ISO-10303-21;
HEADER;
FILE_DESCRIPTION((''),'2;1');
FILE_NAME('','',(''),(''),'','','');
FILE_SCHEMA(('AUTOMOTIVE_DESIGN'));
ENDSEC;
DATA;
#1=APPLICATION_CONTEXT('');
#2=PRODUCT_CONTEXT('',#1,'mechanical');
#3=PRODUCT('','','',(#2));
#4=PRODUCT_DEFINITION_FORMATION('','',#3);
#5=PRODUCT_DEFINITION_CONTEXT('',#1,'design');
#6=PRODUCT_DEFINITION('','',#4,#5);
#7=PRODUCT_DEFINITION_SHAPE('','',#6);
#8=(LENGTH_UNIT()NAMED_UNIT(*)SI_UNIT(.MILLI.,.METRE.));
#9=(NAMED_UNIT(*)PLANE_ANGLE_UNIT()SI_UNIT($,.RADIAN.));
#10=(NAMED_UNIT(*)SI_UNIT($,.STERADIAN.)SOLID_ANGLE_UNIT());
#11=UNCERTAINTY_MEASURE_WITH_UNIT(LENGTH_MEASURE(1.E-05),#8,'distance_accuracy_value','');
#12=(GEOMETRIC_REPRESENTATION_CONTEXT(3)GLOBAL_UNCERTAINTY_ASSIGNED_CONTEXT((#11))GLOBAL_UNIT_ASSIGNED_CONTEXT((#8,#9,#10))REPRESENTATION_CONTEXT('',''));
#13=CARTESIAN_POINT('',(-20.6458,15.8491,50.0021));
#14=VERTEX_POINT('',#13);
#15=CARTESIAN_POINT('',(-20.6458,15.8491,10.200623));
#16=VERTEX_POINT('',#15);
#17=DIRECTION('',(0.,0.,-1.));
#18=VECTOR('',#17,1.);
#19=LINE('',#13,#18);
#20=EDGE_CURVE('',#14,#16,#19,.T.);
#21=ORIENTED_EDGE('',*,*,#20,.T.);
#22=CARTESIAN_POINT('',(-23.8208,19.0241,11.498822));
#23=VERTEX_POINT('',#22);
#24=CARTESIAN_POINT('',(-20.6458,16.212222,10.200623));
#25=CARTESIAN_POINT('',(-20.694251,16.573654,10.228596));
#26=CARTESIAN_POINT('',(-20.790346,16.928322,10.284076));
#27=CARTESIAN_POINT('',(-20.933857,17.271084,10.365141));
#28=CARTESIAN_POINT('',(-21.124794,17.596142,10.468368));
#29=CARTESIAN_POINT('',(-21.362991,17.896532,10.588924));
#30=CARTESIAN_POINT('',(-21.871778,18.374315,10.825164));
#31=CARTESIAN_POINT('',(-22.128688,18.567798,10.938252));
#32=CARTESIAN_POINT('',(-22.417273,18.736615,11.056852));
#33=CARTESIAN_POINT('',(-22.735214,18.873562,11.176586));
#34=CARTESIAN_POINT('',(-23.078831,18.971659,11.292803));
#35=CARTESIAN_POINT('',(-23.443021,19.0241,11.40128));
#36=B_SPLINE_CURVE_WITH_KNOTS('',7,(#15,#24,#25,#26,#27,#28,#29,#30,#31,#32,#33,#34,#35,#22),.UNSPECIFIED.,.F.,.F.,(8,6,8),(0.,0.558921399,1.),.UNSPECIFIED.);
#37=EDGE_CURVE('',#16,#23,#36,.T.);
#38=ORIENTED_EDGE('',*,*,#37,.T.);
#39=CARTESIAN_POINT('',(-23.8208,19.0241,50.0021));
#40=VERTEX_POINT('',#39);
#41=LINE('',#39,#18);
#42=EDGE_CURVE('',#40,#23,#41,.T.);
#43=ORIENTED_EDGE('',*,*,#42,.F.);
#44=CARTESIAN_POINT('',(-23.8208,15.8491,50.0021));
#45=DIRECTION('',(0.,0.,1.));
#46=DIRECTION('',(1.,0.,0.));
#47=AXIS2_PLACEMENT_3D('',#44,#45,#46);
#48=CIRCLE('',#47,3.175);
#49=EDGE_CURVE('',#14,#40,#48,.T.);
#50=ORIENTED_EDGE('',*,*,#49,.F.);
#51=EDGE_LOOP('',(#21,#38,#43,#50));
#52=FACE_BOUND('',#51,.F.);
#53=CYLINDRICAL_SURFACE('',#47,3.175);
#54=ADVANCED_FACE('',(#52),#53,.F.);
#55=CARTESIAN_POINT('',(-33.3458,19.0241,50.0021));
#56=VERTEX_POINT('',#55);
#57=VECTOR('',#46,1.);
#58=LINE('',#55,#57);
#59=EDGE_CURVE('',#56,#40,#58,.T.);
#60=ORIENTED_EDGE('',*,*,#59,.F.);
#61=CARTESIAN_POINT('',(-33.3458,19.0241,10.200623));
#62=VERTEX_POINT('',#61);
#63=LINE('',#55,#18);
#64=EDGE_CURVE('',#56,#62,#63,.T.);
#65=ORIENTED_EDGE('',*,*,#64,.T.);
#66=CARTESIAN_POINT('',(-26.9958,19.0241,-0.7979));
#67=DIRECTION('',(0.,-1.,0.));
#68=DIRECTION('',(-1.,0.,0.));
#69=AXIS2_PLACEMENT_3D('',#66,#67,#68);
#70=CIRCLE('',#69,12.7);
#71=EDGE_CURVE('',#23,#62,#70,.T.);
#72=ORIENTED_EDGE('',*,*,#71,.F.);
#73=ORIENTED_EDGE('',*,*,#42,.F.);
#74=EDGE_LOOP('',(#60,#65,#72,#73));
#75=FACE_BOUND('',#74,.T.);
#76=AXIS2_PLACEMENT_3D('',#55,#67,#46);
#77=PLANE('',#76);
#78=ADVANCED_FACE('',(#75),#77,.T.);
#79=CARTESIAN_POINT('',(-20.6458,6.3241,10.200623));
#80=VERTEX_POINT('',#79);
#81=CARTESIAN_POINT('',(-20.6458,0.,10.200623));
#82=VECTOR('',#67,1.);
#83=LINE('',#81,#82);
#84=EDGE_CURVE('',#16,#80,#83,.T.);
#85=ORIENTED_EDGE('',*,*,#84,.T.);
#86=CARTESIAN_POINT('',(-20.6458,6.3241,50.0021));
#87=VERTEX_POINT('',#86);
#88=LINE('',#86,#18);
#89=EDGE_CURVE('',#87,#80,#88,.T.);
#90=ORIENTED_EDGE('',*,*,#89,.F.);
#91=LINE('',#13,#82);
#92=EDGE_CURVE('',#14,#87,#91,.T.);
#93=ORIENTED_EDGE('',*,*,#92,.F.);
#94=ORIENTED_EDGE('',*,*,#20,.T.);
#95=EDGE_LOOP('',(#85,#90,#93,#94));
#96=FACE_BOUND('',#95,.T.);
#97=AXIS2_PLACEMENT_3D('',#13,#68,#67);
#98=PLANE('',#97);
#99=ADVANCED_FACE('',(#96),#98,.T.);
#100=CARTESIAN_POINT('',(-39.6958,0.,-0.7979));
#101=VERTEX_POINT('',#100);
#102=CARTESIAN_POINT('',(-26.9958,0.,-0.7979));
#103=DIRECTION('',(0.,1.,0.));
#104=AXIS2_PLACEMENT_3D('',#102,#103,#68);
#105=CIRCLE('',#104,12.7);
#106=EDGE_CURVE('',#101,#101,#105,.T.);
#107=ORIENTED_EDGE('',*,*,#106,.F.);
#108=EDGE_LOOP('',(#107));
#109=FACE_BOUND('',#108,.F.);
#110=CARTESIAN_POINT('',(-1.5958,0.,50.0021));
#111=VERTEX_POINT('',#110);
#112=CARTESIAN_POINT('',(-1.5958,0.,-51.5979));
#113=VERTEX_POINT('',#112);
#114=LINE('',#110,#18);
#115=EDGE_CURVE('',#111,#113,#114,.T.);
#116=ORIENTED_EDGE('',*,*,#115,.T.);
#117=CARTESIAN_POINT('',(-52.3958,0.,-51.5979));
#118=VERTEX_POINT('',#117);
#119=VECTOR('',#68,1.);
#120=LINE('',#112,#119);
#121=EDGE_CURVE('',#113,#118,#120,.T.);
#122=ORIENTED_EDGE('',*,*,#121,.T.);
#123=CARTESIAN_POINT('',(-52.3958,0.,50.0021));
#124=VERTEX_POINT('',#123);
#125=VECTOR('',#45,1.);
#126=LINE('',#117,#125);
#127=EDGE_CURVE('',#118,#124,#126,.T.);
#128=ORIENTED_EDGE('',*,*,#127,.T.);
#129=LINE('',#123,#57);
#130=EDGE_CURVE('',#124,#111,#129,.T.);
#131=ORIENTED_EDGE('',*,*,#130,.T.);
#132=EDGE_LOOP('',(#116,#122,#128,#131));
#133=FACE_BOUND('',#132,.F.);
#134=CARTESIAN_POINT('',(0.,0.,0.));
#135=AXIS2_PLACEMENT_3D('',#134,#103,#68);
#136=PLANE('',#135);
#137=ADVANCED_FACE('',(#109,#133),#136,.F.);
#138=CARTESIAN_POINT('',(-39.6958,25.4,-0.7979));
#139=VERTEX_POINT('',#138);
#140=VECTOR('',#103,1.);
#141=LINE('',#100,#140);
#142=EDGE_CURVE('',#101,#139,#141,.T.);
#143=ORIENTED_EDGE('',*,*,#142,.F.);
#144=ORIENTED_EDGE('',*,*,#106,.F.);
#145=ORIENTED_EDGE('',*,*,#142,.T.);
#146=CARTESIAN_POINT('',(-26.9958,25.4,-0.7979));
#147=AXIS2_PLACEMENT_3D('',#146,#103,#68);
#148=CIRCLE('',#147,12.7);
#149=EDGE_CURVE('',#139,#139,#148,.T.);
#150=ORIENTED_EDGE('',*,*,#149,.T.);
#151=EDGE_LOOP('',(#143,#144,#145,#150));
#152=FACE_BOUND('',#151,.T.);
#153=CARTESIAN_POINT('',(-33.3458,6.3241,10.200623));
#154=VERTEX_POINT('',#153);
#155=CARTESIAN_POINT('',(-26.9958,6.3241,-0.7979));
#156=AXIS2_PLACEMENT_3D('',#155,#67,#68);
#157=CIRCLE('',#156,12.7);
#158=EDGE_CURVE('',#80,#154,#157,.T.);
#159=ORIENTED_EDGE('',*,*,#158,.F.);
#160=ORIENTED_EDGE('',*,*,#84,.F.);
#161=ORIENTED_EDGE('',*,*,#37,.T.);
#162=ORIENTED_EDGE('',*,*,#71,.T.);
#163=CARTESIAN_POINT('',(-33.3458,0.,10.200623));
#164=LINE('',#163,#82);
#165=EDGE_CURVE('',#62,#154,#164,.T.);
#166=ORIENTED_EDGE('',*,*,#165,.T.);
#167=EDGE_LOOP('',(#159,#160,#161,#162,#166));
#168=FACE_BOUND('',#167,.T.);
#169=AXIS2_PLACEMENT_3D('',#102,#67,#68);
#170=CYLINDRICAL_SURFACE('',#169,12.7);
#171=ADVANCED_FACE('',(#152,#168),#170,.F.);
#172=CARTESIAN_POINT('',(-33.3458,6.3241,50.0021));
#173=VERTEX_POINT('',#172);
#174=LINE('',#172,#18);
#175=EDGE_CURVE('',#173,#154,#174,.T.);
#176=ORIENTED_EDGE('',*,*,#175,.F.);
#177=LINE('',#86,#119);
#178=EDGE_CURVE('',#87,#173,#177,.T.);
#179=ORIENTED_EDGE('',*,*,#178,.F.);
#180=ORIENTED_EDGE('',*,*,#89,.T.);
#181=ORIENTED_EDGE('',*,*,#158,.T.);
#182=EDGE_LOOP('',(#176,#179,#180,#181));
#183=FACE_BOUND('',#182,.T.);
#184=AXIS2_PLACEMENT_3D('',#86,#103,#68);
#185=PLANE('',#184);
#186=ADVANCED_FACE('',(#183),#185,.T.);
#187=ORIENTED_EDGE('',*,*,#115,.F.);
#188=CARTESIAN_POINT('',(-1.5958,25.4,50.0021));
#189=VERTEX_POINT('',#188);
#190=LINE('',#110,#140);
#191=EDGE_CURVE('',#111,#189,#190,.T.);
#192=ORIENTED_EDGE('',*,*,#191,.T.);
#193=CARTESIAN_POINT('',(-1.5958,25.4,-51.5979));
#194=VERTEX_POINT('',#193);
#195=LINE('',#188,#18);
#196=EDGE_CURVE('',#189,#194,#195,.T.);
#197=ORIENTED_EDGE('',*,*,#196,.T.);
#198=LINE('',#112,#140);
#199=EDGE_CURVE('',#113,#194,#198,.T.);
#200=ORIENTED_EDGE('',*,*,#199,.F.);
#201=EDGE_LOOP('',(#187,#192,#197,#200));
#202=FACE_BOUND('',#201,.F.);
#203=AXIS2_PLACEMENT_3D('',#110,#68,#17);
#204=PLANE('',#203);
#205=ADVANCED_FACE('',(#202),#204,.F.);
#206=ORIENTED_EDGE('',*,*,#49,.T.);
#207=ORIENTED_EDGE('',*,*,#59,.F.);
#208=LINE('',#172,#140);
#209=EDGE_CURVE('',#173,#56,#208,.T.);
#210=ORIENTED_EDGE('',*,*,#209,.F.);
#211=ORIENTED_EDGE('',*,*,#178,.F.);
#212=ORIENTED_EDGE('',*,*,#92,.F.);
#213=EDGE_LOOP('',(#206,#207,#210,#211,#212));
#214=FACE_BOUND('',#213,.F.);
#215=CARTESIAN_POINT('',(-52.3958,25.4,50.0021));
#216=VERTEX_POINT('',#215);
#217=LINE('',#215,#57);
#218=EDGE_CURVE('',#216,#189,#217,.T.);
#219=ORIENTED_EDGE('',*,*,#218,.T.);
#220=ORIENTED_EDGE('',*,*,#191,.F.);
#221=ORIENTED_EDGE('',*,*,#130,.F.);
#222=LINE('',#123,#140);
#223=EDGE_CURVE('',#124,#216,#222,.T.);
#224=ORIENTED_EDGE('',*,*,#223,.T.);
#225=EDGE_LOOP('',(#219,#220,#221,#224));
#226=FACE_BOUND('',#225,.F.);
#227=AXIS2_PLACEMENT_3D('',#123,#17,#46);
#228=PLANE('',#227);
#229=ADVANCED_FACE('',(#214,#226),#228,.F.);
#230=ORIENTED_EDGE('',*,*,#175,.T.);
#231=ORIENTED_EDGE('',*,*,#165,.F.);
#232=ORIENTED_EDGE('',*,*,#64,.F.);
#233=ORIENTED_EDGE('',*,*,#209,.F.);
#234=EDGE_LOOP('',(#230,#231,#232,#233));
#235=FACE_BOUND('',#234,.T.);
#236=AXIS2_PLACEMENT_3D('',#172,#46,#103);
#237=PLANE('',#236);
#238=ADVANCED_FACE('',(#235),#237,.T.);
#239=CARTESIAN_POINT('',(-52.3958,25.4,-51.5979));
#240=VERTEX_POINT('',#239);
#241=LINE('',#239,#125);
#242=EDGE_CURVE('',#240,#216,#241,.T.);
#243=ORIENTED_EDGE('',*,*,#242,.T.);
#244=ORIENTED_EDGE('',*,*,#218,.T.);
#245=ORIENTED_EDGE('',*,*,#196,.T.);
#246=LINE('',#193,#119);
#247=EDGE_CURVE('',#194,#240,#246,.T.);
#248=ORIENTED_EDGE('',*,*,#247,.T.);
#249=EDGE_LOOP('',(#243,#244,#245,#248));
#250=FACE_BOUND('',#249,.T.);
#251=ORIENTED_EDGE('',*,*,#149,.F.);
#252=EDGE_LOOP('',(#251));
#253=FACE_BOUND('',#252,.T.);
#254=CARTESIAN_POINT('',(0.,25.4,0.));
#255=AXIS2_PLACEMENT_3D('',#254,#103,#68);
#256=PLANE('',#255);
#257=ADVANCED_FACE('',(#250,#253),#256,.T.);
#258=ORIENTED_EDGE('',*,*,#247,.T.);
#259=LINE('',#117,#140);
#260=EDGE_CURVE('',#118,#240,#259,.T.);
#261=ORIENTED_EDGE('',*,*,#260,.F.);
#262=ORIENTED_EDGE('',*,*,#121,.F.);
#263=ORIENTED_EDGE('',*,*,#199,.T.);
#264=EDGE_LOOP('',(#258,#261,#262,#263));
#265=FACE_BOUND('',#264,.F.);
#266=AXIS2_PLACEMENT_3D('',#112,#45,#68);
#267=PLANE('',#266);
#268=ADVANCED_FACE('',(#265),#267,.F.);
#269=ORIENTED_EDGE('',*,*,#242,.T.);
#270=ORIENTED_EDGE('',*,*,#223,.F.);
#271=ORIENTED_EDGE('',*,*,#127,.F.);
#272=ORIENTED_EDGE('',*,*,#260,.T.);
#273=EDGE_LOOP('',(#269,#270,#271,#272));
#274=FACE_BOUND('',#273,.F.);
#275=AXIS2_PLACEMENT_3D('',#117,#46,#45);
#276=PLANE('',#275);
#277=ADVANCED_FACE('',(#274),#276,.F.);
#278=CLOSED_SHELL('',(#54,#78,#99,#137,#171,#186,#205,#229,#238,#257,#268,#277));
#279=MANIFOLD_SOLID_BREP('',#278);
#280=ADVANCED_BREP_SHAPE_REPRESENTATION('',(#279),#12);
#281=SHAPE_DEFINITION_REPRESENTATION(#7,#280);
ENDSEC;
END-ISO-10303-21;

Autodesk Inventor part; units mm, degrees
ref_plane "YZ Plane" through (0, 0, 0) normal (1, 0, 0) x (0, 1, 0)
ref_plane "XZ Plane" through (0, 0, 0) normal (0, 1, 0) x (-1, 0, 0)
ref_plane "XY Plane" through (0, 0, 0) normal (0, 0, 1) x (1, 0, 0)
sketch "Sketch1" plane through (0, 0, 0) normal (0, 1, 0) x (-1, 0, 0)
  point P0 (0, 0)
sketch "Sketch2" plane through (0, 0, 0) normal (0, 1, 0) x (-1, 0, 0)
  line L0 (52.3958, 50.0021) -> (1.5958, 50.0021)
  line L1 (1.5958, 50.0021) -> (1.5958, -51.5979)
  line L2 (1.5958, -51.5979) -> (52.3958, -51.5979)
  line L3 (52.3958, -51.5979) -> (52.3958, 50.0021)
  circle A0 centre (26.9958, -0.7979) radius 12.7
  point P0 (0, 0)
  dimension "d0" = 101.6
  dimension "d1" = 50.8
  dimension "d2" = 25.4
  dimension "d3" = 50.8
  dimension "d4" = 25.4
extrude "Extrusion1" add sketch "Sketch2" along normal blind 25.4
sketch "Sketch4" plane through (-52.3958, 0, 50.0021) normal (0, 0, 1) x (1, 0, 0)
  line L0 (19.05, 19.0241) -> (28.575, 19.0241)
  line L1 (31.75, 15.8491) -> (31.75, 6.3241)
  line L2 (31.75, 6.3241) -> (19.05, 6.3241)
  line L3 (19.05, 6.3241) -> (19.05, 19.0241)
  line L4 (50.8, 0) -> (50.8, 25.4) projected
  line L5 (0, 25.4) -> (50.8, 25.4) projected
  arc A0 (31.75, 15.8491) -> (28.575, 19.0241) centre (28.575, 15.8491) ccw
  point P0 (52.3958, 0)
  point P1 (31.75, 19.0241)
  dimension "d7" = 12.7
  dimension "d8" = 12.7
  dimension "d9" = 19.05
  dimension "d10" = 6.3759
  dimension "d11" = 3.175
extrude "Extrusion2" cut sketch "Sketch4" against normal up to next
equation "\"d1\" = 0.5 * d0"
equation "\"d3\" = 0.5 * d0"
properties part number "Block"
